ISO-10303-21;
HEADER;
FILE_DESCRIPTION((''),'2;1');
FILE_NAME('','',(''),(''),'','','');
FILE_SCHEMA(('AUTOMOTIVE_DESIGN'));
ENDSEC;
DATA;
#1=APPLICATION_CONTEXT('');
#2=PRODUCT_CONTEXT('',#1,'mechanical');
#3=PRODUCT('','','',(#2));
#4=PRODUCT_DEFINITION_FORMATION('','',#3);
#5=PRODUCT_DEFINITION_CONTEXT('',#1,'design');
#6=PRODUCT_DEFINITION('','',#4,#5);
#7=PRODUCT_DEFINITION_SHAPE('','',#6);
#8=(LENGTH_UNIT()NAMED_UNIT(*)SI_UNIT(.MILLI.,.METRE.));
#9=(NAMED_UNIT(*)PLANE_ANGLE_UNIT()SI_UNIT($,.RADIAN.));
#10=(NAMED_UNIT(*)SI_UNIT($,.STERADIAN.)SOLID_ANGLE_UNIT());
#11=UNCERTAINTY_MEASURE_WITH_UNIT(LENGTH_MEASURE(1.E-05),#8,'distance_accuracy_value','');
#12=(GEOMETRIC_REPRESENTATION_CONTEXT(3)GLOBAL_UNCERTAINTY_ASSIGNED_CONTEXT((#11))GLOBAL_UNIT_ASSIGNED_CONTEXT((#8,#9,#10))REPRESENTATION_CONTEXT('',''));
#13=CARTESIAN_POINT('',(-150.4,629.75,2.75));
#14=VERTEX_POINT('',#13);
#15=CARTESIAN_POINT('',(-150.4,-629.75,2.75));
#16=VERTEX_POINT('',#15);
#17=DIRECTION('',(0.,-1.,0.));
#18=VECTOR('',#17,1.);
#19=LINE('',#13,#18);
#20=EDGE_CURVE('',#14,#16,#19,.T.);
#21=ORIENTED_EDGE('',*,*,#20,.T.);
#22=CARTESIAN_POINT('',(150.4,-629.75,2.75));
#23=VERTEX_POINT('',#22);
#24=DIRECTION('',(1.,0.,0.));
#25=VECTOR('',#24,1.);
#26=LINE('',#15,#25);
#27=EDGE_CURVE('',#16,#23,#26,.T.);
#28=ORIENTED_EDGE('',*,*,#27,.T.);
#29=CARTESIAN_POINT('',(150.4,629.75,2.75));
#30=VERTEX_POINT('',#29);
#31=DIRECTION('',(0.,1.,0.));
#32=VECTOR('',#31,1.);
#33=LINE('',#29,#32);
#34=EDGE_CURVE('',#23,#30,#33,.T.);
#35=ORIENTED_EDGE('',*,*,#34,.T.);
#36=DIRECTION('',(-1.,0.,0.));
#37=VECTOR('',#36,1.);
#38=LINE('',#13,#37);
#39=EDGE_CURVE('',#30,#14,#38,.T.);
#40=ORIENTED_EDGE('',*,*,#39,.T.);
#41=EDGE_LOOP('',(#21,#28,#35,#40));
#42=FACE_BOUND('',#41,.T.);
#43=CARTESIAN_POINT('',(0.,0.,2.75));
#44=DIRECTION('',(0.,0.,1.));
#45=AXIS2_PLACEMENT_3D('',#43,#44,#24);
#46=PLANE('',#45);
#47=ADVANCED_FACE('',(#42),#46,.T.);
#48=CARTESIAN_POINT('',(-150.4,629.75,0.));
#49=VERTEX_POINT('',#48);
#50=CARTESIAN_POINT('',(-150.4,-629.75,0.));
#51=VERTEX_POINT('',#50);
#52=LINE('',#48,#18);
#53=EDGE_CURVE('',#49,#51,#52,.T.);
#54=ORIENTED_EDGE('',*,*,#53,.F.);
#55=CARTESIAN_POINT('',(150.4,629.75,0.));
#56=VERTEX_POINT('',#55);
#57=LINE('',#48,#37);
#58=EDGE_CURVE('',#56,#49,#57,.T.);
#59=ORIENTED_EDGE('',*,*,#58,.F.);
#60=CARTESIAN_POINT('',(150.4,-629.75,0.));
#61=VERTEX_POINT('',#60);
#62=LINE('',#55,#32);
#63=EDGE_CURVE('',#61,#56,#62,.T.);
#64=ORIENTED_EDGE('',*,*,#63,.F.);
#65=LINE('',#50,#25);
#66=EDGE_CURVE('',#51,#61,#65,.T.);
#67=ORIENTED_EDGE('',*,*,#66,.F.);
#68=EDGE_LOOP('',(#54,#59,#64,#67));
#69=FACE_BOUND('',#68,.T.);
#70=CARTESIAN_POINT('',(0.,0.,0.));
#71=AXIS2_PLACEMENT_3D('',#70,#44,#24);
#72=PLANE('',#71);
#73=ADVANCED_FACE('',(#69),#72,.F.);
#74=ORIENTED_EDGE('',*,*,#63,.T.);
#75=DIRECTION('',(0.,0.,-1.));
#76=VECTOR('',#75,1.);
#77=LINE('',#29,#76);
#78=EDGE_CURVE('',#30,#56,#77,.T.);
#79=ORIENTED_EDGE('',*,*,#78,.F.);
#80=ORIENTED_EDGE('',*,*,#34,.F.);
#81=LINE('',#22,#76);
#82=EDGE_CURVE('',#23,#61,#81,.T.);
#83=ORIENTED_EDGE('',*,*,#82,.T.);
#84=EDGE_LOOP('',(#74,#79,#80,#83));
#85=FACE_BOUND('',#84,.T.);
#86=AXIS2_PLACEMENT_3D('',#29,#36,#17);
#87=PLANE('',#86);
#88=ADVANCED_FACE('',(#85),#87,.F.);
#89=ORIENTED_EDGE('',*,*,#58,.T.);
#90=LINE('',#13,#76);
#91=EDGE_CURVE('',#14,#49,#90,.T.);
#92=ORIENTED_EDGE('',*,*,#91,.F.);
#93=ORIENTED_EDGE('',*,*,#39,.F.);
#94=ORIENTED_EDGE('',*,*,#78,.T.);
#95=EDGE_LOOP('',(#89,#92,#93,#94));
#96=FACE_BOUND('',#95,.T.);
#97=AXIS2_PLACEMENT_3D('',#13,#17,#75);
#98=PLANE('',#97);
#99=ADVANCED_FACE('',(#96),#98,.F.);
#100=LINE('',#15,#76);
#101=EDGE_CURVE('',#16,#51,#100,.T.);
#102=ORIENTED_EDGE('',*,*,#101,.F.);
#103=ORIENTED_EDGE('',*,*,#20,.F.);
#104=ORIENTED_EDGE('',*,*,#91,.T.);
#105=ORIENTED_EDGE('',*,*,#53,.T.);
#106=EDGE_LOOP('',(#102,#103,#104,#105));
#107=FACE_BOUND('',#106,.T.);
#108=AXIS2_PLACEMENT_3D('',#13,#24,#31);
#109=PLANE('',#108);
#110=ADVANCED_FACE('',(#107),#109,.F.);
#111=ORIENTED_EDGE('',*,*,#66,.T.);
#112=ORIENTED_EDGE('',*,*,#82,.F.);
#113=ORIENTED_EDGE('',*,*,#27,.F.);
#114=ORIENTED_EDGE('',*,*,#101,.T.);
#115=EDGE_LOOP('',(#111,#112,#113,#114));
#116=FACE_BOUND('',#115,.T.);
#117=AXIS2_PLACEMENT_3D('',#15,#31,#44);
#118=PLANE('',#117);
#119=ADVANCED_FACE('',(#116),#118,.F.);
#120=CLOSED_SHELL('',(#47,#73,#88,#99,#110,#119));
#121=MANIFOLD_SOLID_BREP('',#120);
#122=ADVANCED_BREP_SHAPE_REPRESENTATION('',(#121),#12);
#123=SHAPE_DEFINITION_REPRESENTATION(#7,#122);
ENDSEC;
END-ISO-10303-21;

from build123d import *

# Parameters (mm, degrees)
SKETCH_1_W      = 300.8
SKETCH_1_H      = 1259.5
EXTRUDE_1_DEPTH = 2.75


with BuildPart() as part:
    # 草圖1 → 填料-伸長1 (new body)
    with BuildSketch(Plane.XY):
        Rectangle(SKETCH_1_W, SKETCH_1_H)
    extrude(amount=EXTRUDE_1_DEPTH)


solid = part.part
